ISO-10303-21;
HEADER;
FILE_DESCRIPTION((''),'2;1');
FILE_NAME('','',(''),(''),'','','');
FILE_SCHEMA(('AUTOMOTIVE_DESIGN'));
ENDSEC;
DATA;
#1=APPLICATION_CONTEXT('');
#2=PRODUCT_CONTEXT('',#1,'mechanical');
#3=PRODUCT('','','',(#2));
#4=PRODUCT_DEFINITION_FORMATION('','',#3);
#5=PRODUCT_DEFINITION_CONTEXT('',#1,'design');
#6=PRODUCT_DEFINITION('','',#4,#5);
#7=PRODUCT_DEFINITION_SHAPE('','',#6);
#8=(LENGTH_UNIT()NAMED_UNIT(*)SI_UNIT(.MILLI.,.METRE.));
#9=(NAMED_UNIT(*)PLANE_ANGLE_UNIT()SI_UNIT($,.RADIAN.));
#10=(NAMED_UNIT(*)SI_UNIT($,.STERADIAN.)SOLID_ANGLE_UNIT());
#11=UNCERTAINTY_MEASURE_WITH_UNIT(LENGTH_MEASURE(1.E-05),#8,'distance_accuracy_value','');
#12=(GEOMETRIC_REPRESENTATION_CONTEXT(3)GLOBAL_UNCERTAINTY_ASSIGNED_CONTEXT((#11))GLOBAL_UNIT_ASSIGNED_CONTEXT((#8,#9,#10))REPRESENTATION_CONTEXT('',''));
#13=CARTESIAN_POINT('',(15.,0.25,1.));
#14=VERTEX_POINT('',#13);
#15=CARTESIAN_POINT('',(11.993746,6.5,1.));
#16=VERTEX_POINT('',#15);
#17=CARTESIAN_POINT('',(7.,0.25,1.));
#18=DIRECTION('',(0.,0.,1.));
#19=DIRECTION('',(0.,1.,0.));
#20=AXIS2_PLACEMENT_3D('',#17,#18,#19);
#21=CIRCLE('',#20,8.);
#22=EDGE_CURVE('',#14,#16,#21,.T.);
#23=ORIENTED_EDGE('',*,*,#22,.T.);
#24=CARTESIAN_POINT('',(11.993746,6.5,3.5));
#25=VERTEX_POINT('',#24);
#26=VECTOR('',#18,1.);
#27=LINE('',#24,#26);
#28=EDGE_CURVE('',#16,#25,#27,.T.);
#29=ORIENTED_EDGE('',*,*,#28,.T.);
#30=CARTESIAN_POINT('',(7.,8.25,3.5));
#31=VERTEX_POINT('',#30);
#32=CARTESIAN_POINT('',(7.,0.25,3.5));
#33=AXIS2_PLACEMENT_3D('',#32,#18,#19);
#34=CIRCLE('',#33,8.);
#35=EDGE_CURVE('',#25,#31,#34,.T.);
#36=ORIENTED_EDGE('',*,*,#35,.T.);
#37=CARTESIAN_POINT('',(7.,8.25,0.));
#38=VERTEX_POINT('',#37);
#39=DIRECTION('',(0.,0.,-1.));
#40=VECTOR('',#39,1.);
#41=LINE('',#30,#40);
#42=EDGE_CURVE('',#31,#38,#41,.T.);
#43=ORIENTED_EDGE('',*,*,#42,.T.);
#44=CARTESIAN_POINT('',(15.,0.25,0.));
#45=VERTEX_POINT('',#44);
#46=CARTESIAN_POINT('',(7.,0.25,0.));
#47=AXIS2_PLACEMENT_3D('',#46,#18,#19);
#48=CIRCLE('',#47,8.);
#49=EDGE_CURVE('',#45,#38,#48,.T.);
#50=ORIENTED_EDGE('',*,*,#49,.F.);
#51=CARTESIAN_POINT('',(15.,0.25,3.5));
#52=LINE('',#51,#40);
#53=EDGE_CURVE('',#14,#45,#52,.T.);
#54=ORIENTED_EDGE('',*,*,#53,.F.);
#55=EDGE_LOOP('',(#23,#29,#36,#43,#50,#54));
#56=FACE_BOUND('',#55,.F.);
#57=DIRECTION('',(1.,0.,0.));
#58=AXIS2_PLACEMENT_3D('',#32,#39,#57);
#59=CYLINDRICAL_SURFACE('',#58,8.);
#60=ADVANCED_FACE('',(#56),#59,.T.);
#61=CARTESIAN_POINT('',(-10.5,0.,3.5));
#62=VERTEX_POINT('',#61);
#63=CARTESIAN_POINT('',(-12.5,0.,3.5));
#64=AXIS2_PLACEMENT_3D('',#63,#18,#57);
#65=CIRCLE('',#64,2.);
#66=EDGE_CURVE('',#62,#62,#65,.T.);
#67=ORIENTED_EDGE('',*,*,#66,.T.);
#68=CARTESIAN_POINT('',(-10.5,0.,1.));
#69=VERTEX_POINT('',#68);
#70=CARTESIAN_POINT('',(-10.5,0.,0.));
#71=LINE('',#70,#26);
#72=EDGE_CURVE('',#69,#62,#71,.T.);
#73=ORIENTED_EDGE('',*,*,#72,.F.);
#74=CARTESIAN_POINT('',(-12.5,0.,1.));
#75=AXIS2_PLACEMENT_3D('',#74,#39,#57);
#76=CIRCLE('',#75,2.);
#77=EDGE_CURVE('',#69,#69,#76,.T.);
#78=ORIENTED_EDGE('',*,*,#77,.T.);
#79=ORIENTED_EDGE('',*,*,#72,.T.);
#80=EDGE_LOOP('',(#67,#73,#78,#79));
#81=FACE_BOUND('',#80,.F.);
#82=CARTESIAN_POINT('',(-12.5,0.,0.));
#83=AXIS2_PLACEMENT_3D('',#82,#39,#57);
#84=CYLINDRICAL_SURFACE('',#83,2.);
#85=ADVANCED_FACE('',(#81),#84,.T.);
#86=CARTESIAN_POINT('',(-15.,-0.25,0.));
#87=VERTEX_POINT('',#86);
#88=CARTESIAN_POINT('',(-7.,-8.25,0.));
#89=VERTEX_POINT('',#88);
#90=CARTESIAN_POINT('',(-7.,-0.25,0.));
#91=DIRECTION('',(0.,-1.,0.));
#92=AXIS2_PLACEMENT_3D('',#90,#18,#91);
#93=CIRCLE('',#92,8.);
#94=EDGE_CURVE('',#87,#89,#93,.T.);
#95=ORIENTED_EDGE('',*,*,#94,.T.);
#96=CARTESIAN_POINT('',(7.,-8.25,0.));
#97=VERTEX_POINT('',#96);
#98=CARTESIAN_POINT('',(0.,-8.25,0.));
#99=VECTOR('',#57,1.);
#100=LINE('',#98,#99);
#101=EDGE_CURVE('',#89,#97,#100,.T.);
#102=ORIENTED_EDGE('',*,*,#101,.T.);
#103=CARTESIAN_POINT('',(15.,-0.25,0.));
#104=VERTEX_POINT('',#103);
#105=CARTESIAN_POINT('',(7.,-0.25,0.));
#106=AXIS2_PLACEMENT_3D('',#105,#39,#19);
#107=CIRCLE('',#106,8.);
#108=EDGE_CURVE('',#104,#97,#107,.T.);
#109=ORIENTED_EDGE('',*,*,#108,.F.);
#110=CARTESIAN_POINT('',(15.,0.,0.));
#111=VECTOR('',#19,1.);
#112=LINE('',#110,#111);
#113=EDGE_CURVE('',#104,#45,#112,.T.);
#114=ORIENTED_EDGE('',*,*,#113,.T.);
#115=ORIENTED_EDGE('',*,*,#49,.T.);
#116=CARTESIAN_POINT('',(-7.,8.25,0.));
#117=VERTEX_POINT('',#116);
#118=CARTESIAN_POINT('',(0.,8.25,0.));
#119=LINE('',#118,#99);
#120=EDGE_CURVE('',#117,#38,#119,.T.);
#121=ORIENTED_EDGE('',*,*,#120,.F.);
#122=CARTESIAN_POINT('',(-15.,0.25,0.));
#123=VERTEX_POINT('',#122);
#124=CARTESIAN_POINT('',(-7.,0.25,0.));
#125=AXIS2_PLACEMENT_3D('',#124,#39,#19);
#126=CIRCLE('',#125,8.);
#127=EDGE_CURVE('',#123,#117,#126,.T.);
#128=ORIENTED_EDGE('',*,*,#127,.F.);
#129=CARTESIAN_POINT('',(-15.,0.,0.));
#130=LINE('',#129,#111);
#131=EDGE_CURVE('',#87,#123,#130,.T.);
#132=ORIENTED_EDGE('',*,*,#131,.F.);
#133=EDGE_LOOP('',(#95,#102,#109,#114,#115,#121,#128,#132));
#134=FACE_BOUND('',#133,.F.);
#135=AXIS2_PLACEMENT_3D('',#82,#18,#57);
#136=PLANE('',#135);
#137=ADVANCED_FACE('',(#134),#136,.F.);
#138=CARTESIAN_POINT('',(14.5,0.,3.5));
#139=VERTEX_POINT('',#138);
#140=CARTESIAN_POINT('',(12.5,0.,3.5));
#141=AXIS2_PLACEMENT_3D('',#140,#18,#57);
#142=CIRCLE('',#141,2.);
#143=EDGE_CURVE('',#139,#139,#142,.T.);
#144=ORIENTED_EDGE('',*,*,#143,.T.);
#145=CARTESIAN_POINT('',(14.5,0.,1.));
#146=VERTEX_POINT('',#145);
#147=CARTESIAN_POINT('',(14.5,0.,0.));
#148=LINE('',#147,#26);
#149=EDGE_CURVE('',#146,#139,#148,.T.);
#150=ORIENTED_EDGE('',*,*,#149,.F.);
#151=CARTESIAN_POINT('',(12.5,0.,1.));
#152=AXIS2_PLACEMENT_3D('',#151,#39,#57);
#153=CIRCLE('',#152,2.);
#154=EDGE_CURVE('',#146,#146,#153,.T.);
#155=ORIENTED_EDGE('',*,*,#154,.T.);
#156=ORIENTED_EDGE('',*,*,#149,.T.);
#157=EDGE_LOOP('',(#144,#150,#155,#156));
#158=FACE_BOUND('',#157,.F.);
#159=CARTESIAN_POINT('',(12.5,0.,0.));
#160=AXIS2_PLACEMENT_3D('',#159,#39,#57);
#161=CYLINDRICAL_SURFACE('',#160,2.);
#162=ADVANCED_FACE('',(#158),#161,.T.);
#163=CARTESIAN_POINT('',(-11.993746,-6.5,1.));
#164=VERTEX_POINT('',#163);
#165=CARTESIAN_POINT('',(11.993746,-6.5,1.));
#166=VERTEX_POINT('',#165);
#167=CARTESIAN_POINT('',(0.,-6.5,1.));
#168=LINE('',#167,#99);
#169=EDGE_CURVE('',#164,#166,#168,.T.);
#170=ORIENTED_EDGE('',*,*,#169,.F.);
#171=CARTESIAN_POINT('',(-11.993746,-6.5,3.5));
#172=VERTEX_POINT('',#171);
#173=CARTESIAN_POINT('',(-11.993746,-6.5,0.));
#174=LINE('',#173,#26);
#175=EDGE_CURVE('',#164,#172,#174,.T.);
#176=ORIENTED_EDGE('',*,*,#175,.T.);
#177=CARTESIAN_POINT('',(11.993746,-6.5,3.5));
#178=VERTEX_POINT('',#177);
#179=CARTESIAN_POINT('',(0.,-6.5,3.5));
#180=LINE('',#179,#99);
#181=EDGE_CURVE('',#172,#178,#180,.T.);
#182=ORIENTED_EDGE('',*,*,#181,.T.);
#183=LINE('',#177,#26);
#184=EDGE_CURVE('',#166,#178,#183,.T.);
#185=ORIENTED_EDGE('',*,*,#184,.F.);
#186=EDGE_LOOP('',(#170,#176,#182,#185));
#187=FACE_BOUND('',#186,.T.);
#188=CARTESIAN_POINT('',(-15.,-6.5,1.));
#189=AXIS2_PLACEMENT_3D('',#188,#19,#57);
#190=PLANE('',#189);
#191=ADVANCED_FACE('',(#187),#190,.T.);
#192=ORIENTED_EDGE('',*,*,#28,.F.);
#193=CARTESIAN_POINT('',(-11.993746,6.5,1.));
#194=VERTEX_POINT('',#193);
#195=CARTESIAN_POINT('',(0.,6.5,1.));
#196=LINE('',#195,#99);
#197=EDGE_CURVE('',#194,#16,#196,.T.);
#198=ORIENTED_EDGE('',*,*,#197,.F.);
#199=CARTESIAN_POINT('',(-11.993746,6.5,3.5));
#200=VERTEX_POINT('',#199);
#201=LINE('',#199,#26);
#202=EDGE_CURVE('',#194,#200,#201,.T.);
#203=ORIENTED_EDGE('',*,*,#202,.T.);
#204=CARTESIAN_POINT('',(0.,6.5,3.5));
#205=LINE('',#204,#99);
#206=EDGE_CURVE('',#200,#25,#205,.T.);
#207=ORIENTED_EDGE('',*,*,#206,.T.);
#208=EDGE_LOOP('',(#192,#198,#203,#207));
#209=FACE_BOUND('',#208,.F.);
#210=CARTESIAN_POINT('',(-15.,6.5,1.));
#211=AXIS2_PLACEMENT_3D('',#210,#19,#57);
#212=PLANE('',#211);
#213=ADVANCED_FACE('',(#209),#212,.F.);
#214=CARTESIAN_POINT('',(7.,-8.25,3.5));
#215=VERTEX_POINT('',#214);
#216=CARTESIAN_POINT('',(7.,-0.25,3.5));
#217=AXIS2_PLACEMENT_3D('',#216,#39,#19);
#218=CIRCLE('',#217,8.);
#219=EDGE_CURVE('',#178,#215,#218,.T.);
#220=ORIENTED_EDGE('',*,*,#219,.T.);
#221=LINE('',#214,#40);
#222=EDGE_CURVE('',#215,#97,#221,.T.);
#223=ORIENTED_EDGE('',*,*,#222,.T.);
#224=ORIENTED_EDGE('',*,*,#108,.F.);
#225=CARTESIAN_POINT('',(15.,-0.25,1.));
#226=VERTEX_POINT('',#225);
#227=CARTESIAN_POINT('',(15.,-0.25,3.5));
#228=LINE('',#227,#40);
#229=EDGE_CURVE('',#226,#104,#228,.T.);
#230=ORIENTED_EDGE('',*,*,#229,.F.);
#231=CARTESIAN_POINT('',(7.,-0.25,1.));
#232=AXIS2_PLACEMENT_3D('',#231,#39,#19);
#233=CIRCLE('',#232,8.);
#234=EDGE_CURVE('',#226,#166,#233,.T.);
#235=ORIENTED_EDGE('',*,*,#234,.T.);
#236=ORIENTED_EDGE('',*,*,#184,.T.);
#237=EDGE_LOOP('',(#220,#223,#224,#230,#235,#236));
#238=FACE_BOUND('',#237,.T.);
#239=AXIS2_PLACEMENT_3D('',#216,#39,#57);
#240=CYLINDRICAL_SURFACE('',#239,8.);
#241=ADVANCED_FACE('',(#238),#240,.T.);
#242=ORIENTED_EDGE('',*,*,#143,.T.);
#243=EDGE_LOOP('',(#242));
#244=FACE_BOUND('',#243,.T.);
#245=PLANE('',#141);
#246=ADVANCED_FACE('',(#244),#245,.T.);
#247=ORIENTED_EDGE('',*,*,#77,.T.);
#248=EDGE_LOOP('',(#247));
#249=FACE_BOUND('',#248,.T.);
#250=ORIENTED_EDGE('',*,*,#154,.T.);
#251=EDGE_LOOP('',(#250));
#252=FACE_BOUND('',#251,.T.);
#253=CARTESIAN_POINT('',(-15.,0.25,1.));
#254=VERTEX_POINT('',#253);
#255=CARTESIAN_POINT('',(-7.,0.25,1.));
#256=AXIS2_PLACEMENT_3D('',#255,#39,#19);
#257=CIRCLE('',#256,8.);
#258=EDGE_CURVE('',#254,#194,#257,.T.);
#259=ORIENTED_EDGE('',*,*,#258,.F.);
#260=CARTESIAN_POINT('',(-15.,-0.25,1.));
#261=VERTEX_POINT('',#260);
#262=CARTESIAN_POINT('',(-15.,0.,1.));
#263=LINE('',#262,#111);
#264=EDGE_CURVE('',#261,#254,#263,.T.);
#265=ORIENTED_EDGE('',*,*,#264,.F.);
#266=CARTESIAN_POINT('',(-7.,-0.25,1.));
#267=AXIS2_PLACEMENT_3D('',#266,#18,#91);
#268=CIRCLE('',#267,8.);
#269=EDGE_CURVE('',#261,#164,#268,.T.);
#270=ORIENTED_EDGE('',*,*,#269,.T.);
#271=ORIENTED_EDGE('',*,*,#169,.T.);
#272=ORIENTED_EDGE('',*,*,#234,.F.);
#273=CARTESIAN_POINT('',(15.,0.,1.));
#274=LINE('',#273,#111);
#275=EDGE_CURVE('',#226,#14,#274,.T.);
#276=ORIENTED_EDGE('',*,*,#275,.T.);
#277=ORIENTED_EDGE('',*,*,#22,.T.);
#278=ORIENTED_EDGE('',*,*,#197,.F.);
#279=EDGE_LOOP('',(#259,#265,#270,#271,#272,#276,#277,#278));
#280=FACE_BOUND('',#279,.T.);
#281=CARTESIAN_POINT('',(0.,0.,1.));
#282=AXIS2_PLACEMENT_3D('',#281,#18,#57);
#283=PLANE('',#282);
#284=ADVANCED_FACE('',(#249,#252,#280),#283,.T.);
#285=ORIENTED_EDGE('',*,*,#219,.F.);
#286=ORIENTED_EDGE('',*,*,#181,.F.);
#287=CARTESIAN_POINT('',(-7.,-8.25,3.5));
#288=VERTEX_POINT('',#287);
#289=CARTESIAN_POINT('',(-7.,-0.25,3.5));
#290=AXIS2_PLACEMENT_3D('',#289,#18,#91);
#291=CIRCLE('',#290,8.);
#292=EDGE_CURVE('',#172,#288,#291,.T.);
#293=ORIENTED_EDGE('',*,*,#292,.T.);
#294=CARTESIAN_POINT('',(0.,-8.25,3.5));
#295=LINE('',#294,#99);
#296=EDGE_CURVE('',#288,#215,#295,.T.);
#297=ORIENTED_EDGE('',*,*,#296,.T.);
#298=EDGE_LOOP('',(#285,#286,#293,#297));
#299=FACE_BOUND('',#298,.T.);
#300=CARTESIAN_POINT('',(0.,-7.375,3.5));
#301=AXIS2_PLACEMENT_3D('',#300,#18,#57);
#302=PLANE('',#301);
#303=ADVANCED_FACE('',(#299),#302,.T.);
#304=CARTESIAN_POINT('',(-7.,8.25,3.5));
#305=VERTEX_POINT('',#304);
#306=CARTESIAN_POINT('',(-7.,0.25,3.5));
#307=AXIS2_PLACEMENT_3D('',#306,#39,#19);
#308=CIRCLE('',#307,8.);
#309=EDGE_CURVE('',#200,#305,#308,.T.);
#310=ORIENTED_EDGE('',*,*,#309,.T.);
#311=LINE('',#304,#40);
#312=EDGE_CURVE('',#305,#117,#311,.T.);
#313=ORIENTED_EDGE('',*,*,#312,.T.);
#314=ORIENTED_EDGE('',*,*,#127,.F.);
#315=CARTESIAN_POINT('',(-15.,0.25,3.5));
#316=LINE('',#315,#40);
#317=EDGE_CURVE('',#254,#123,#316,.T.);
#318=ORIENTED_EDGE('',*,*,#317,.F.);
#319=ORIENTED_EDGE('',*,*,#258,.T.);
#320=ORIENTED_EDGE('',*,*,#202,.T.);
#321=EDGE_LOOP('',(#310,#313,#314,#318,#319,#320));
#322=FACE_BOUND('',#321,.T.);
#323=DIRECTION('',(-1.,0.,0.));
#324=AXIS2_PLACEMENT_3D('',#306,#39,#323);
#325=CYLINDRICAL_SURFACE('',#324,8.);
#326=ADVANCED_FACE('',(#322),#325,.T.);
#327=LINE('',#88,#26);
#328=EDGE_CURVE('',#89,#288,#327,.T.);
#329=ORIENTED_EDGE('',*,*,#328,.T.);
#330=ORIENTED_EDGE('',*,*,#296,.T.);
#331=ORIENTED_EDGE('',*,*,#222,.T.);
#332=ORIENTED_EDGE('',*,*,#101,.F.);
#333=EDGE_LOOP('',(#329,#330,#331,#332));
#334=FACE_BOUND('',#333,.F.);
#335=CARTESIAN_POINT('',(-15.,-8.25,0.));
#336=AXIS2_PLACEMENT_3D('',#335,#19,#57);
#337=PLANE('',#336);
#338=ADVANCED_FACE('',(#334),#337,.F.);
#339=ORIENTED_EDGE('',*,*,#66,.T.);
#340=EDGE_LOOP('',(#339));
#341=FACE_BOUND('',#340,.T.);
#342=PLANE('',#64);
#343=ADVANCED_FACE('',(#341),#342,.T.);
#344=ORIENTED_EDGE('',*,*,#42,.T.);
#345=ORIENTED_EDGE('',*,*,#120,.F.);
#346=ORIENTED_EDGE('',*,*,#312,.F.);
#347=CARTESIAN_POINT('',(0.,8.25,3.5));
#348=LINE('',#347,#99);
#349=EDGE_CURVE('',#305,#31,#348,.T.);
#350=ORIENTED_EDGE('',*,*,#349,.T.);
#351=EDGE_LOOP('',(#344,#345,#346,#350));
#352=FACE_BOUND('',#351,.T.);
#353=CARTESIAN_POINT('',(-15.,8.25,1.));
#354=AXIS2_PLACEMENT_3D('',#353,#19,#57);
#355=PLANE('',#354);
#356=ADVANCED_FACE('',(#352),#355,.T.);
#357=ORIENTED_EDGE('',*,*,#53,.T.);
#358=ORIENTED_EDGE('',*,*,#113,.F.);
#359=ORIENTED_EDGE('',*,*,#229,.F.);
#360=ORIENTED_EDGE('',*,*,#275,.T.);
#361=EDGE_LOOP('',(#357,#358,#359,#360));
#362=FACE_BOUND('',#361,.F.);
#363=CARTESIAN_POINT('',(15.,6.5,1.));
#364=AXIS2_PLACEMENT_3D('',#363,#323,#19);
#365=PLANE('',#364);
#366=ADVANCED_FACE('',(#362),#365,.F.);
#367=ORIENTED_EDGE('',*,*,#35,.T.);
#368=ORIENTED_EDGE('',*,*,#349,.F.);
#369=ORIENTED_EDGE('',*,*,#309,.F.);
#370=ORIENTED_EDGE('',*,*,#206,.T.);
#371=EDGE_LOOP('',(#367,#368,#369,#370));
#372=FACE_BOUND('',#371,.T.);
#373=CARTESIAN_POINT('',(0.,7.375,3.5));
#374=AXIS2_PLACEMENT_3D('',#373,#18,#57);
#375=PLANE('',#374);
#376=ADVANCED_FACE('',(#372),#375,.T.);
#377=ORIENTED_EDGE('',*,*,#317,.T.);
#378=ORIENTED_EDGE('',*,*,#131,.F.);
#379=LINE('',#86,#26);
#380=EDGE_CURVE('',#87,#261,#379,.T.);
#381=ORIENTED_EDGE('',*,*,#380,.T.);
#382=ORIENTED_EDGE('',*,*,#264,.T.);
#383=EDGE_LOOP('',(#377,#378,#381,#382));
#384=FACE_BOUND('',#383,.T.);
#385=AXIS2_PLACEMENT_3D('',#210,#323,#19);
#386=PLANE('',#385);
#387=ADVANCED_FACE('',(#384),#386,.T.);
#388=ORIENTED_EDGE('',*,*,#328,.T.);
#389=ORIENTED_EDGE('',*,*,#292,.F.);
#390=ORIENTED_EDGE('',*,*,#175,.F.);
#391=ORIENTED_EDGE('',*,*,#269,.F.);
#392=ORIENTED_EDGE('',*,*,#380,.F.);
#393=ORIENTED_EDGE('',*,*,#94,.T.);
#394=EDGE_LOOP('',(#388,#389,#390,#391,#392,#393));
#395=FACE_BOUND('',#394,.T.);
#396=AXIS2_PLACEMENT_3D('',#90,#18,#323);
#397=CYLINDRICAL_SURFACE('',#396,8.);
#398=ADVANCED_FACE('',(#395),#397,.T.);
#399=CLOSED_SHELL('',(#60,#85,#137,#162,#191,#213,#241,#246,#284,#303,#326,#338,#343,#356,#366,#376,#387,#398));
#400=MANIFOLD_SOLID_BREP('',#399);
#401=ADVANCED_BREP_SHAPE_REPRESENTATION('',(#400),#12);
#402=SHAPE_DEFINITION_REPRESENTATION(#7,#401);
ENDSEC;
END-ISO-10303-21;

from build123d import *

# Parameters (mm, degrees)
F0_W     = 30
F0_H     = 16.5
F0_R     = 2
F1_DEPTH = 1
F2_DEPTH = 3.5
F3_W     = 30
F3_H     = 1.75
F4_DEPTH = 2.5
F5_R     = 8


with BuildPart() as f1:
    # F0 (on Top) → F1 (new body)
    with BuildSketch(Plane.XY):
        Rectangle(F0_W, F0_H)
        with Locations((-12.5, 0)):
            Circle(F0_R, mode=Mode.SUBTRACT)
        with Locations((12.5, 0)):
            Circle(F0_R, mode=Mode.SUBTRACT)
        with Locations((-12.5, 0)):
            Circle(F0_R)
        with Locations((12.5, 0)):
            Circle(F0_R)
    extrude(amount=F1_DEPTH)

    # F0 (on Top) → F2 (join)
    with BuildSketch(Plane.XY):
        with Locations((-12.5, 0)):
            Circle(F0_R)
        with Locations((12.5, 0)):
            Circle(F0_R)
    extrude(amount=F2_DEPTH)

    # F3 (on face) → F4 (join)
    with BuildSketch(Plane.XY.offset(1)):
        with Locations((0, 7.375)):
            Rectangle(F3_W, F3_H)
        with Locations((0, -7.375)):
            Rectangle(F3_W, F3_H)
    extrude(amount=F4_DEPTH)

    # F5
    f5_edges = [f1.edges().sort_by_distance(p)[0] for p in [
        (-15, -8.25, 1.75),
        (-15, 8.25, 1.75),
        (15, -8.25, 1.75),
        (15, 8.25, 1.75),
    ]]
    fillet(f5_edges, radius=F5_R)


solid = f1.part
